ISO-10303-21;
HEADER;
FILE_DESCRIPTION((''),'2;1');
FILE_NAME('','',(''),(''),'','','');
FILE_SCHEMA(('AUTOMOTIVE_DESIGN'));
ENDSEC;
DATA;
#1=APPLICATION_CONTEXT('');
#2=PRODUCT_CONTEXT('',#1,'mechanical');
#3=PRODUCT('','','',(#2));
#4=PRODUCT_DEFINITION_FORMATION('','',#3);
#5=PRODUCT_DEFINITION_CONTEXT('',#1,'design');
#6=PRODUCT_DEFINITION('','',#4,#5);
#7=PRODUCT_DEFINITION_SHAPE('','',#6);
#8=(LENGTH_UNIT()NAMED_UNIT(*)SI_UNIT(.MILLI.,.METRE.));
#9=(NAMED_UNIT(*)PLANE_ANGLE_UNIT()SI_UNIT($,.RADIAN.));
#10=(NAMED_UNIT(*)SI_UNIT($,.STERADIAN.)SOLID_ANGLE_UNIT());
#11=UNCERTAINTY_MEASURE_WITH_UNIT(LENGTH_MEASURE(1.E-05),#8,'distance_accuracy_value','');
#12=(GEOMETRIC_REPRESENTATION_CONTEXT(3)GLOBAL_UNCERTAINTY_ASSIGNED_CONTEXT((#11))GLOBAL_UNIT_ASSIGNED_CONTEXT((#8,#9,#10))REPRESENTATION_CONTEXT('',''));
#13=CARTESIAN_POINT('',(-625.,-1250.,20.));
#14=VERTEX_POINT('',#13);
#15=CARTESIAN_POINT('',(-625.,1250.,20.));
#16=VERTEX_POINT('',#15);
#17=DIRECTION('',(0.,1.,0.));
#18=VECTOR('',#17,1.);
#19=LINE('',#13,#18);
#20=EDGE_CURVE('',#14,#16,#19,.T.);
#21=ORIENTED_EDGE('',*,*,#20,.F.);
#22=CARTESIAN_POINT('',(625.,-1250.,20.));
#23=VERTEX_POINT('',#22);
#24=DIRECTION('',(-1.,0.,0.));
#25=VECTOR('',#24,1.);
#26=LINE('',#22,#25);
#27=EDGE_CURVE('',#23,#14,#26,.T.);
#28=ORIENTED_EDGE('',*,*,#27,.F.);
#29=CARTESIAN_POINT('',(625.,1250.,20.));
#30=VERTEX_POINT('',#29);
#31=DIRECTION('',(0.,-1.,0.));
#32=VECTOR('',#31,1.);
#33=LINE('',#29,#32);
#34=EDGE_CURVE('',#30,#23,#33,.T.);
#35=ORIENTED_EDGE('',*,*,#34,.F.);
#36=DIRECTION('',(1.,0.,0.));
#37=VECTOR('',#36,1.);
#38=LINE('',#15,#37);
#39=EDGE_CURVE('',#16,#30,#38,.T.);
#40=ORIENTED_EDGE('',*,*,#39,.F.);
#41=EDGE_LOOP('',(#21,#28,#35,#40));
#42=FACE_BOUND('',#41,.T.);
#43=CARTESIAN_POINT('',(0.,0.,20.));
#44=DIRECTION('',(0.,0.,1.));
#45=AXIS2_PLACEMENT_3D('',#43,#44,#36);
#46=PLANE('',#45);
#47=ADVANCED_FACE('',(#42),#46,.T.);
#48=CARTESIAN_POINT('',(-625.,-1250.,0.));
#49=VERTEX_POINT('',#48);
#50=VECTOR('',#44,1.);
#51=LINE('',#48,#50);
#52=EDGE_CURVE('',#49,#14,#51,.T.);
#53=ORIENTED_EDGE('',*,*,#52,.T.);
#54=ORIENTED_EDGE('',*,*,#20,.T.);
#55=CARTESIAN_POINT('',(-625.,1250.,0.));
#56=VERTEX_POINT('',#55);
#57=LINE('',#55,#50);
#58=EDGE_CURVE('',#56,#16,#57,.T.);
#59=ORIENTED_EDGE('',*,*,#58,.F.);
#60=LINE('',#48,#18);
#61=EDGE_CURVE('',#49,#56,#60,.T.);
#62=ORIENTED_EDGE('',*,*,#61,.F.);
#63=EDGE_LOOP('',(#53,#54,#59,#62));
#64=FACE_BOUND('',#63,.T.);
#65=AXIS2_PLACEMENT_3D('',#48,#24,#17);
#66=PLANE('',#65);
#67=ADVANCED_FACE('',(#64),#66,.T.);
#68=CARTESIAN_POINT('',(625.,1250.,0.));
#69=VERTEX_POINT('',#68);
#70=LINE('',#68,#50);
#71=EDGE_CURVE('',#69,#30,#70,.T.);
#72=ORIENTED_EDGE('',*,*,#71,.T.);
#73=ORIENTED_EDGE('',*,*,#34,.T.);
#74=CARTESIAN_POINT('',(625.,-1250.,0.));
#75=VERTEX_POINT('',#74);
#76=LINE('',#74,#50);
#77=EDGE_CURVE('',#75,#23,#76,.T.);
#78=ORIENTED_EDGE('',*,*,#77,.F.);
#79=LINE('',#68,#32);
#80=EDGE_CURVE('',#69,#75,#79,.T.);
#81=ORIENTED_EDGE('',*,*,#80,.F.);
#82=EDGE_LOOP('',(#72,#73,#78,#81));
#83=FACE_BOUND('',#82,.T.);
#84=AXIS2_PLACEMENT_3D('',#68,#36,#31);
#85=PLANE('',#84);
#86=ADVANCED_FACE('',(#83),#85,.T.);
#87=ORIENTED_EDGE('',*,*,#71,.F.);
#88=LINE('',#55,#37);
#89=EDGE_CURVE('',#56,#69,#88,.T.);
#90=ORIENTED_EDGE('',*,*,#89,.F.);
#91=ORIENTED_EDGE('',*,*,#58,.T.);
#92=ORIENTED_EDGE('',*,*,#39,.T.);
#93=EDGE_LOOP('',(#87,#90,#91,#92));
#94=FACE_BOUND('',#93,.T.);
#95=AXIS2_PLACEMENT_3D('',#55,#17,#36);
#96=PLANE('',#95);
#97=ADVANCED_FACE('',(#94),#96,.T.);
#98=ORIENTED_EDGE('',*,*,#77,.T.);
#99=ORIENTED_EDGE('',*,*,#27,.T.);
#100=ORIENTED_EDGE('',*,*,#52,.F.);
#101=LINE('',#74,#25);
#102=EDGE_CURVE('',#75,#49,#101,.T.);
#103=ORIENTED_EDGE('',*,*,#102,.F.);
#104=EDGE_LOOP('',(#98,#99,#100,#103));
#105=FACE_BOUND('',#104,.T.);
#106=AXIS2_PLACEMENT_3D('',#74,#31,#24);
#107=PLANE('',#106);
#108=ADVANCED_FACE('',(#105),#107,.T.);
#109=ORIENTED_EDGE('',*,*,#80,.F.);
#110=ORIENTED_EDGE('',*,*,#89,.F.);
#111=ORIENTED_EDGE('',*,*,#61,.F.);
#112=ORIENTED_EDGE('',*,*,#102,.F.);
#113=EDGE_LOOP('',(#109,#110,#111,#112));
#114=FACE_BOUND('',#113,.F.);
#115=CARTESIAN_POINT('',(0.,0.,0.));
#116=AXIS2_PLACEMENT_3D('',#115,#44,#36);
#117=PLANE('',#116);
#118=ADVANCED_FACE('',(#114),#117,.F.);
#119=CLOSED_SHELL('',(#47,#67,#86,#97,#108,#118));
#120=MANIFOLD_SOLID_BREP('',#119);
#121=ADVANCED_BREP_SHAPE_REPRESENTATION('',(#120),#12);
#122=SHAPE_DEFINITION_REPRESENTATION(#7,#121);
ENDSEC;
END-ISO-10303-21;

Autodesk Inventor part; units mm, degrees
ref_plane "YZ Plane" through (0, 0, 0) normal (1, 0, 0) x (0, 1, 0)
ref_plane "XZ Plane" through (0, 0, 0) normal (0, 1, 0) x (-1, 0, 0)
ref_plane "XY Plane" through (0, 0, 0) normal (0, 0, 1) x (1, 0, 0)
sketch "Sketch1" plane through (0, 0, 0) normal (0, 0, 1) x (1, 0, 0)
  line L0 (-625, 1250) -> (625, 1250)
  line L1 (625, 1250) -> (625, -1250)
  line L2 (625, -1250) -> (-625, -1250)
  line L3 (-625, -1250) -> (-625, 1250)
  line L4 (-625, 1250) -> (625, -1250) construction
  line L5 (625, 1250) -> (-625, -1250) construction
  point P0 (0, 0)
  dimension "d0" = 1250
  dimension "d1" = 2500
extrude "Extrusion1" add sketch "Sketch1" along normal blind 20
properties part number "madera"
